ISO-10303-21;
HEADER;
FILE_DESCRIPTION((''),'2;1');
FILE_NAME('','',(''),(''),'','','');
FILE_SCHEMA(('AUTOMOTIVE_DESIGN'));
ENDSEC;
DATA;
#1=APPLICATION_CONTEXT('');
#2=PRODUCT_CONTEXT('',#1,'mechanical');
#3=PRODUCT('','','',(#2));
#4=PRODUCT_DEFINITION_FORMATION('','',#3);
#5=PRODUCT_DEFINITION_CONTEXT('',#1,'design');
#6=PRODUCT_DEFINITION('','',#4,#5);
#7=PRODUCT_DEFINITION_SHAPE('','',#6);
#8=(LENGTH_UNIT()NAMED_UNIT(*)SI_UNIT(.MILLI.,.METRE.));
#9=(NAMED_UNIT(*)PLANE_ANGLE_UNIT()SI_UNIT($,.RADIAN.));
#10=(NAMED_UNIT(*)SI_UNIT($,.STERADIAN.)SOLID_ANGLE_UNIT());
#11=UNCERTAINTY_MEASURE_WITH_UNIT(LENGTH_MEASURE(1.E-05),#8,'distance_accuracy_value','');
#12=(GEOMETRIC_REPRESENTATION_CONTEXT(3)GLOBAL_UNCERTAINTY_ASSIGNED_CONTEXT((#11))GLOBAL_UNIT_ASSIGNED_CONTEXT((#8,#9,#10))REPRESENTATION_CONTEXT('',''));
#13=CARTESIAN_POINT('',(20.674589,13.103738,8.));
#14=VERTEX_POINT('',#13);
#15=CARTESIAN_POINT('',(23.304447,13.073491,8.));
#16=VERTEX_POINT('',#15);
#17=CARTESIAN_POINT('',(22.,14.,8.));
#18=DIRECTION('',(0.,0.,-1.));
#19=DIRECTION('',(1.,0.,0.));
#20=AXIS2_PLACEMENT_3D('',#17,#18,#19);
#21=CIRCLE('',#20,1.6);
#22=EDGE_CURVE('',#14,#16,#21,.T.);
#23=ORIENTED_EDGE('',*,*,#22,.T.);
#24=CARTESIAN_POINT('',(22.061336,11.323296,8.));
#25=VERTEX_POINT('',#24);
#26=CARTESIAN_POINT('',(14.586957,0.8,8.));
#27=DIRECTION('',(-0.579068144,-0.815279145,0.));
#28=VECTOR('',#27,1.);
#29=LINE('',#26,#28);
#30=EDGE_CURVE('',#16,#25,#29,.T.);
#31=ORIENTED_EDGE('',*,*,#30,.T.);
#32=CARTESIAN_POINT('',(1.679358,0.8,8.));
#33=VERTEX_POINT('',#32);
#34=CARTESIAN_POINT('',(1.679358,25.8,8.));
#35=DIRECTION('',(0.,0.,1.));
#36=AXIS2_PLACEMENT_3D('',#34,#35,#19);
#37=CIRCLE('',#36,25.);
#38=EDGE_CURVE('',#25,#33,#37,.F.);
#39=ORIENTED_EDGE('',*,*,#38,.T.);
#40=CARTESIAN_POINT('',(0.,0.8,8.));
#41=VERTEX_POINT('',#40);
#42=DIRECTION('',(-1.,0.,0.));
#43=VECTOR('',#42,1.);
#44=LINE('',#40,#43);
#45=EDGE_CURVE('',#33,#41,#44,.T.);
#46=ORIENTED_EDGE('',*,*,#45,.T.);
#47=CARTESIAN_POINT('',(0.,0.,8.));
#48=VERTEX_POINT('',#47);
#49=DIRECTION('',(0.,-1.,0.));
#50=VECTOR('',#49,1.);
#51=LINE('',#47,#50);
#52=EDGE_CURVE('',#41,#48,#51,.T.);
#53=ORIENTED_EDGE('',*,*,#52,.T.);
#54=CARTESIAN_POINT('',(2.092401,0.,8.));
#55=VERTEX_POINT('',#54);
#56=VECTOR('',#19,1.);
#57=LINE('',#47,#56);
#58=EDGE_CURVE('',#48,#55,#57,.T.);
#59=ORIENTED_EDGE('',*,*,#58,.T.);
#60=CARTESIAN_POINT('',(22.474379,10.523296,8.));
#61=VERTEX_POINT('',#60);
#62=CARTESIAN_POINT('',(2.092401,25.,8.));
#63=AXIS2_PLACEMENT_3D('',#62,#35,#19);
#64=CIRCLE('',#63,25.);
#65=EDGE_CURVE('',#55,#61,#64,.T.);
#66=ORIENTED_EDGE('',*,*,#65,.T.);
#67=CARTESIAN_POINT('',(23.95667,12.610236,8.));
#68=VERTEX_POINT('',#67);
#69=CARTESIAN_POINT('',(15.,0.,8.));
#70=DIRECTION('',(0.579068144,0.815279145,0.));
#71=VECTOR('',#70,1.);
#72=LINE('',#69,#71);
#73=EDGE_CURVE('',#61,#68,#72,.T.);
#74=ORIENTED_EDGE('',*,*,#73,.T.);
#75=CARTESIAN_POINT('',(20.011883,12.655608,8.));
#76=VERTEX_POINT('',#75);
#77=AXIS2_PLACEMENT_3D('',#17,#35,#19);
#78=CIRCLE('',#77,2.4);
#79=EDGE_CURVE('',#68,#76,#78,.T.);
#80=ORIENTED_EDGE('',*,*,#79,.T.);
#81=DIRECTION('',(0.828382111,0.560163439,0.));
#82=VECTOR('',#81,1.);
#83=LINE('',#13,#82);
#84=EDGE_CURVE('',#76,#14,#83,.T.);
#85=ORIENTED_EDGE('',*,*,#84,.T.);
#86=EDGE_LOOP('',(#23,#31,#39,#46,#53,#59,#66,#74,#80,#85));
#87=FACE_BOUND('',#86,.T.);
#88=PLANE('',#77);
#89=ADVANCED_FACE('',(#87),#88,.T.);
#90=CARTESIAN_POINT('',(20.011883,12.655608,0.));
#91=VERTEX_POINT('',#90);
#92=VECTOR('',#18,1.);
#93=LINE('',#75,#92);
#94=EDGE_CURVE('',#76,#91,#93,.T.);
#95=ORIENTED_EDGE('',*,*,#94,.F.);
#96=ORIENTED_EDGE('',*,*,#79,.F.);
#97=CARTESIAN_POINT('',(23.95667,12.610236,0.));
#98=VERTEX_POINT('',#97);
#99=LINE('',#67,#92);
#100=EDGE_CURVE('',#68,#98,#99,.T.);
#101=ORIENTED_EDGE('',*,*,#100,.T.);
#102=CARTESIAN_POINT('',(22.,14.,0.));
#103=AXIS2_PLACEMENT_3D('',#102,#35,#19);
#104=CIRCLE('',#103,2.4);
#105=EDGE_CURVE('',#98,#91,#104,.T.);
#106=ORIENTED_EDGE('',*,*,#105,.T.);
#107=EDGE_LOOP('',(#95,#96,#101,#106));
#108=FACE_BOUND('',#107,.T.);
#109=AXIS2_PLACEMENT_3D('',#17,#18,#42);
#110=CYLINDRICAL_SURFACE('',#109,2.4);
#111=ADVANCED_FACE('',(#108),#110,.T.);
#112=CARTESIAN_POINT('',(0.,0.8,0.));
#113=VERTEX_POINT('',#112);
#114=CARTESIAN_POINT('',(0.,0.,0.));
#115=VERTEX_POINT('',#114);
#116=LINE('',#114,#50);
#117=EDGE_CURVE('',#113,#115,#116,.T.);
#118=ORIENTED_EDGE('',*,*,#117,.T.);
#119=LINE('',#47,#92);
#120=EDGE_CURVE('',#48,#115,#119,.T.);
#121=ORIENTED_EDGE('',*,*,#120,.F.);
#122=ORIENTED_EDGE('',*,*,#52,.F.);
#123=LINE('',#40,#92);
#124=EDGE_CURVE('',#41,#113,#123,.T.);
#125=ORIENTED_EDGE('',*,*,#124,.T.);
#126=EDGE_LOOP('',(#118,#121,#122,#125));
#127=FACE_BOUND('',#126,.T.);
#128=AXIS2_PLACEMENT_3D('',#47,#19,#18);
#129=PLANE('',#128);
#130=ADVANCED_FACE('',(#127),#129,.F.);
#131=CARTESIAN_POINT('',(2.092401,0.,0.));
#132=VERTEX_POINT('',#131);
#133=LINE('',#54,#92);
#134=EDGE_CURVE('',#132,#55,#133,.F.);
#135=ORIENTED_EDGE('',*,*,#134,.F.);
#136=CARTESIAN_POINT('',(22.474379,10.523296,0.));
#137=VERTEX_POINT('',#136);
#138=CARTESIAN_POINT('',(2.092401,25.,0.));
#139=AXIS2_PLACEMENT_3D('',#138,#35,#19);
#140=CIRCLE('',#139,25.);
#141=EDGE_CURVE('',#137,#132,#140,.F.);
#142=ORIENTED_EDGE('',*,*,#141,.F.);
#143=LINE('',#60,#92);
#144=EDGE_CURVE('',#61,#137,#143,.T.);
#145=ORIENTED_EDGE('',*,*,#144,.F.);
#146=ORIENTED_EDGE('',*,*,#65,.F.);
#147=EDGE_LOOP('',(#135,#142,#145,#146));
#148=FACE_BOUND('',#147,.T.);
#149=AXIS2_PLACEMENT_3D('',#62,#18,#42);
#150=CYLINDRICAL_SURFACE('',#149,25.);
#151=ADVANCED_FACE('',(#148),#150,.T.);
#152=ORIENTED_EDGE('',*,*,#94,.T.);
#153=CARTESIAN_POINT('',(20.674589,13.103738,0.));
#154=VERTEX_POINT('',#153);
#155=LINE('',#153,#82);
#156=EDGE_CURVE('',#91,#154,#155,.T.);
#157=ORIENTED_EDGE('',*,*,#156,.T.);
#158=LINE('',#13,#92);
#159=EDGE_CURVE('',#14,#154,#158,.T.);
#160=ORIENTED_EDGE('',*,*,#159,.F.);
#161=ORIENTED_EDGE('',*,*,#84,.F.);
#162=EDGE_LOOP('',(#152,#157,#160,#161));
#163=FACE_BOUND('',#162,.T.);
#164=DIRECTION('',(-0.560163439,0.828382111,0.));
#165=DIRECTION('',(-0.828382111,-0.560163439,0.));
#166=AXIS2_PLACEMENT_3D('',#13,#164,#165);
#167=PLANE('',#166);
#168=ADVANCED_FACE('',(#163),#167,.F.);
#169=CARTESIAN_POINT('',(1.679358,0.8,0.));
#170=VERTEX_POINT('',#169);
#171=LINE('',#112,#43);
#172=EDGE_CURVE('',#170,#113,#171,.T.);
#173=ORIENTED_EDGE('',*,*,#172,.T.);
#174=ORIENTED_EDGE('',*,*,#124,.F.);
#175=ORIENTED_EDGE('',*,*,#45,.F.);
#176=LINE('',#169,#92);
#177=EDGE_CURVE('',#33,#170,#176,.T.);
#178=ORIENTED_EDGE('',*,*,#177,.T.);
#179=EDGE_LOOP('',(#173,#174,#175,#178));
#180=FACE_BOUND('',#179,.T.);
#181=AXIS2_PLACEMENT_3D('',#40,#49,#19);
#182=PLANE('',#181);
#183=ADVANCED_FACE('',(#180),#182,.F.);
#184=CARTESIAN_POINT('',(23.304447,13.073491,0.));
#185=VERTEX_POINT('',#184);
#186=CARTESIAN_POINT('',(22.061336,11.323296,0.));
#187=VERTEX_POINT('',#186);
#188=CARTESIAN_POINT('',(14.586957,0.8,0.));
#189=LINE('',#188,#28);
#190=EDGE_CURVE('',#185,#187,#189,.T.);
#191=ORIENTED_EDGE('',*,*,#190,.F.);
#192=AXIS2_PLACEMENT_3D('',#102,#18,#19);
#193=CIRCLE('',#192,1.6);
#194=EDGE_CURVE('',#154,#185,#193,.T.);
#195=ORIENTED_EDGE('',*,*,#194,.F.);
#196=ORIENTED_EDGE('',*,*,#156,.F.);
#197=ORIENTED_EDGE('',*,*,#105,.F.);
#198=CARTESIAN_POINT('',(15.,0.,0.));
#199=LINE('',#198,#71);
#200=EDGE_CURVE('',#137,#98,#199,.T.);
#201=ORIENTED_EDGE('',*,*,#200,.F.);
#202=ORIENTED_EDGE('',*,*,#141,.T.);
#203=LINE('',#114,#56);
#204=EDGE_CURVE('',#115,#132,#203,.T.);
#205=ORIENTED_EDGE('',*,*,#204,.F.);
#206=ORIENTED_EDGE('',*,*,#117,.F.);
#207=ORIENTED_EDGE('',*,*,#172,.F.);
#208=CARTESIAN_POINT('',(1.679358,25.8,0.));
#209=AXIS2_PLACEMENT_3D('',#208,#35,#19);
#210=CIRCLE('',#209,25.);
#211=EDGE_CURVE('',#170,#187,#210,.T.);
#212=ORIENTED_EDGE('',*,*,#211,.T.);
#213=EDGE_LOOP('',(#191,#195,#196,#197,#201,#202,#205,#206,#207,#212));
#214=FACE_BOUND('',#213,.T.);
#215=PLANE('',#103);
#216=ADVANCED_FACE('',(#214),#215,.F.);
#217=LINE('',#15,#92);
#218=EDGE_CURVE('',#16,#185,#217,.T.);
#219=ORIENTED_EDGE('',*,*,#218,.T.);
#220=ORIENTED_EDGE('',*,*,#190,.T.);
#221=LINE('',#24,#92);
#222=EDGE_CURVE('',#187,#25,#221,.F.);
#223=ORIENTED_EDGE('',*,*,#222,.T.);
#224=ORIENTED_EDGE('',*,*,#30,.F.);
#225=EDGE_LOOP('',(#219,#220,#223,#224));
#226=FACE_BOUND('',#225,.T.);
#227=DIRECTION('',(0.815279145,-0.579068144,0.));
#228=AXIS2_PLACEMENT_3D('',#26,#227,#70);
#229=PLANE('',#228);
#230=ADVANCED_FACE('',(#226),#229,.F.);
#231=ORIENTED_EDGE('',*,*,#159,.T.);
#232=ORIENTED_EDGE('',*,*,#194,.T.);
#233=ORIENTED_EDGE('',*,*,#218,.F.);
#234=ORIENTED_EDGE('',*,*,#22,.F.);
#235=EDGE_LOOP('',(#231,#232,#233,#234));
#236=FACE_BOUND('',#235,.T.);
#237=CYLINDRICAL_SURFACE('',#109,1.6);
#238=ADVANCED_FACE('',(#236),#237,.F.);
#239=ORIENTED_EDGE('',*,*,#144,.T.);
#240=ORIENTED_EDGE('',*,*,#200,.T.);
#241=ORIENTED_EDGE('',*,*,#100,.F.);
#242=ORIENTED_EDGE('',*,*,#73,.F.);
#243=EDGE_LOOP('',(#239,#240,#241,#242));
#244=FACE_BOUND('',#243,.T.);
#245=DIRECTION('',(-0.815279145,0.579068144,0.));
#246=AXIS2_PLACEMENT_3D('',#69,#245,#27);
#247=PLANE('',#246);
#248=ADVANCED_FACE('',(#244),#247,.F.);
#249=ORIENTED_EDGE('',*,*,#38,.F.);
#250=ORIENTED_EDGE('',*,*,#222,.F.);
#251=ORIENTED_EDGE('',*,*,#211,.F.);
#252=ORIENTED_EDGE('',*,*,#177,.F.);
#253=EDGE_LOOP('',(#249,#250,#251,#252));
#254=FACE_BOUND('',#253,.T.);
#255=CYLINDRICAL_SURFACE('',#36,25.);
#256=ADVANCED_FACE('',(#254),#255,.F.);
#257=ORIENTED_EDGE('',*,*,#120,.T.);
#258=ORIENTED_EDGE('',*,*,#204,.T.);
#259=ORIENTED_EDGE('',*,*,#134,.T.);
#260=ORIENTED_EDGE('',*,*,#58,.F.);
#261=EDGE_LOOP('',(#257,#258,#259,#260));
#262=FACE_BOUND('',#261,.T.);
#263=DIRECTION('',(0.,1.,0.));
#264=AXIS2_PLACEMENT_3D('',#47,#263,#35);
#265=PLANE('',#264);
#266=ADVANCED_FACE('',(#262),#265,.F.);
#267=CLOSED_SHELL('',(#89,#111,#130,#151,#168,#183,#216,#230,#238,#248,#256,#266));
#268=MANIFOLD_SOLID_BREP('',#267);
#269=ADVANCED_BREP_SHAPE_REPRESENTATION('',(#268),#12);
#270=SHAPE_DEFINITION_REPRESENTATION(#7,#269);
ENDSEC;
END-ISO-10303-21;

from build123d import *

# Parameters (mm, degrees)
BOSS_EXTRUDE1_DEPTH = 8
FILLET1_R           = 25


with BuildPart() as part:
    # Sketch1 → Boss-Extrude1 (new body)
    with BuildSketch(Plane.XY):
        with BuildLine():
            Line((0, 0), (15, 0))
            Line((15, 0), (23.956669948, 12.610236454))
            ThreePointArc((23.956669948, 12.610236454), (22.027601971, 16.399841272), (20.011882934, 12.655607746))
            Line((20.011882934, 12.655607746), (20.674588623, 13.103738497))
            ThreePointArc((20.674588623, 13.103738497), (22.018401314, 15.599894181), (23.304446632, 13.07349097))
            Line((23.304446632, 13.07349097), (14.586956827, 0.8))
            Line((14.586956827, 0.8), (0, 0.8))
            Line((0, 0.8), (0, 0))
        make_face()
    extrude(amount=BOSS_EXTRUDE1_DEPTH)

    # Fillet1
    fillet1_edges = [part.edges().sort_by_distance(p)[0] for p in [
        (14.586956827, 0.8, 4),
        (15, 0, 4),
    ]]
    fillet(fillet1_edges, radius=FILLET1_R)


solid = part.part
